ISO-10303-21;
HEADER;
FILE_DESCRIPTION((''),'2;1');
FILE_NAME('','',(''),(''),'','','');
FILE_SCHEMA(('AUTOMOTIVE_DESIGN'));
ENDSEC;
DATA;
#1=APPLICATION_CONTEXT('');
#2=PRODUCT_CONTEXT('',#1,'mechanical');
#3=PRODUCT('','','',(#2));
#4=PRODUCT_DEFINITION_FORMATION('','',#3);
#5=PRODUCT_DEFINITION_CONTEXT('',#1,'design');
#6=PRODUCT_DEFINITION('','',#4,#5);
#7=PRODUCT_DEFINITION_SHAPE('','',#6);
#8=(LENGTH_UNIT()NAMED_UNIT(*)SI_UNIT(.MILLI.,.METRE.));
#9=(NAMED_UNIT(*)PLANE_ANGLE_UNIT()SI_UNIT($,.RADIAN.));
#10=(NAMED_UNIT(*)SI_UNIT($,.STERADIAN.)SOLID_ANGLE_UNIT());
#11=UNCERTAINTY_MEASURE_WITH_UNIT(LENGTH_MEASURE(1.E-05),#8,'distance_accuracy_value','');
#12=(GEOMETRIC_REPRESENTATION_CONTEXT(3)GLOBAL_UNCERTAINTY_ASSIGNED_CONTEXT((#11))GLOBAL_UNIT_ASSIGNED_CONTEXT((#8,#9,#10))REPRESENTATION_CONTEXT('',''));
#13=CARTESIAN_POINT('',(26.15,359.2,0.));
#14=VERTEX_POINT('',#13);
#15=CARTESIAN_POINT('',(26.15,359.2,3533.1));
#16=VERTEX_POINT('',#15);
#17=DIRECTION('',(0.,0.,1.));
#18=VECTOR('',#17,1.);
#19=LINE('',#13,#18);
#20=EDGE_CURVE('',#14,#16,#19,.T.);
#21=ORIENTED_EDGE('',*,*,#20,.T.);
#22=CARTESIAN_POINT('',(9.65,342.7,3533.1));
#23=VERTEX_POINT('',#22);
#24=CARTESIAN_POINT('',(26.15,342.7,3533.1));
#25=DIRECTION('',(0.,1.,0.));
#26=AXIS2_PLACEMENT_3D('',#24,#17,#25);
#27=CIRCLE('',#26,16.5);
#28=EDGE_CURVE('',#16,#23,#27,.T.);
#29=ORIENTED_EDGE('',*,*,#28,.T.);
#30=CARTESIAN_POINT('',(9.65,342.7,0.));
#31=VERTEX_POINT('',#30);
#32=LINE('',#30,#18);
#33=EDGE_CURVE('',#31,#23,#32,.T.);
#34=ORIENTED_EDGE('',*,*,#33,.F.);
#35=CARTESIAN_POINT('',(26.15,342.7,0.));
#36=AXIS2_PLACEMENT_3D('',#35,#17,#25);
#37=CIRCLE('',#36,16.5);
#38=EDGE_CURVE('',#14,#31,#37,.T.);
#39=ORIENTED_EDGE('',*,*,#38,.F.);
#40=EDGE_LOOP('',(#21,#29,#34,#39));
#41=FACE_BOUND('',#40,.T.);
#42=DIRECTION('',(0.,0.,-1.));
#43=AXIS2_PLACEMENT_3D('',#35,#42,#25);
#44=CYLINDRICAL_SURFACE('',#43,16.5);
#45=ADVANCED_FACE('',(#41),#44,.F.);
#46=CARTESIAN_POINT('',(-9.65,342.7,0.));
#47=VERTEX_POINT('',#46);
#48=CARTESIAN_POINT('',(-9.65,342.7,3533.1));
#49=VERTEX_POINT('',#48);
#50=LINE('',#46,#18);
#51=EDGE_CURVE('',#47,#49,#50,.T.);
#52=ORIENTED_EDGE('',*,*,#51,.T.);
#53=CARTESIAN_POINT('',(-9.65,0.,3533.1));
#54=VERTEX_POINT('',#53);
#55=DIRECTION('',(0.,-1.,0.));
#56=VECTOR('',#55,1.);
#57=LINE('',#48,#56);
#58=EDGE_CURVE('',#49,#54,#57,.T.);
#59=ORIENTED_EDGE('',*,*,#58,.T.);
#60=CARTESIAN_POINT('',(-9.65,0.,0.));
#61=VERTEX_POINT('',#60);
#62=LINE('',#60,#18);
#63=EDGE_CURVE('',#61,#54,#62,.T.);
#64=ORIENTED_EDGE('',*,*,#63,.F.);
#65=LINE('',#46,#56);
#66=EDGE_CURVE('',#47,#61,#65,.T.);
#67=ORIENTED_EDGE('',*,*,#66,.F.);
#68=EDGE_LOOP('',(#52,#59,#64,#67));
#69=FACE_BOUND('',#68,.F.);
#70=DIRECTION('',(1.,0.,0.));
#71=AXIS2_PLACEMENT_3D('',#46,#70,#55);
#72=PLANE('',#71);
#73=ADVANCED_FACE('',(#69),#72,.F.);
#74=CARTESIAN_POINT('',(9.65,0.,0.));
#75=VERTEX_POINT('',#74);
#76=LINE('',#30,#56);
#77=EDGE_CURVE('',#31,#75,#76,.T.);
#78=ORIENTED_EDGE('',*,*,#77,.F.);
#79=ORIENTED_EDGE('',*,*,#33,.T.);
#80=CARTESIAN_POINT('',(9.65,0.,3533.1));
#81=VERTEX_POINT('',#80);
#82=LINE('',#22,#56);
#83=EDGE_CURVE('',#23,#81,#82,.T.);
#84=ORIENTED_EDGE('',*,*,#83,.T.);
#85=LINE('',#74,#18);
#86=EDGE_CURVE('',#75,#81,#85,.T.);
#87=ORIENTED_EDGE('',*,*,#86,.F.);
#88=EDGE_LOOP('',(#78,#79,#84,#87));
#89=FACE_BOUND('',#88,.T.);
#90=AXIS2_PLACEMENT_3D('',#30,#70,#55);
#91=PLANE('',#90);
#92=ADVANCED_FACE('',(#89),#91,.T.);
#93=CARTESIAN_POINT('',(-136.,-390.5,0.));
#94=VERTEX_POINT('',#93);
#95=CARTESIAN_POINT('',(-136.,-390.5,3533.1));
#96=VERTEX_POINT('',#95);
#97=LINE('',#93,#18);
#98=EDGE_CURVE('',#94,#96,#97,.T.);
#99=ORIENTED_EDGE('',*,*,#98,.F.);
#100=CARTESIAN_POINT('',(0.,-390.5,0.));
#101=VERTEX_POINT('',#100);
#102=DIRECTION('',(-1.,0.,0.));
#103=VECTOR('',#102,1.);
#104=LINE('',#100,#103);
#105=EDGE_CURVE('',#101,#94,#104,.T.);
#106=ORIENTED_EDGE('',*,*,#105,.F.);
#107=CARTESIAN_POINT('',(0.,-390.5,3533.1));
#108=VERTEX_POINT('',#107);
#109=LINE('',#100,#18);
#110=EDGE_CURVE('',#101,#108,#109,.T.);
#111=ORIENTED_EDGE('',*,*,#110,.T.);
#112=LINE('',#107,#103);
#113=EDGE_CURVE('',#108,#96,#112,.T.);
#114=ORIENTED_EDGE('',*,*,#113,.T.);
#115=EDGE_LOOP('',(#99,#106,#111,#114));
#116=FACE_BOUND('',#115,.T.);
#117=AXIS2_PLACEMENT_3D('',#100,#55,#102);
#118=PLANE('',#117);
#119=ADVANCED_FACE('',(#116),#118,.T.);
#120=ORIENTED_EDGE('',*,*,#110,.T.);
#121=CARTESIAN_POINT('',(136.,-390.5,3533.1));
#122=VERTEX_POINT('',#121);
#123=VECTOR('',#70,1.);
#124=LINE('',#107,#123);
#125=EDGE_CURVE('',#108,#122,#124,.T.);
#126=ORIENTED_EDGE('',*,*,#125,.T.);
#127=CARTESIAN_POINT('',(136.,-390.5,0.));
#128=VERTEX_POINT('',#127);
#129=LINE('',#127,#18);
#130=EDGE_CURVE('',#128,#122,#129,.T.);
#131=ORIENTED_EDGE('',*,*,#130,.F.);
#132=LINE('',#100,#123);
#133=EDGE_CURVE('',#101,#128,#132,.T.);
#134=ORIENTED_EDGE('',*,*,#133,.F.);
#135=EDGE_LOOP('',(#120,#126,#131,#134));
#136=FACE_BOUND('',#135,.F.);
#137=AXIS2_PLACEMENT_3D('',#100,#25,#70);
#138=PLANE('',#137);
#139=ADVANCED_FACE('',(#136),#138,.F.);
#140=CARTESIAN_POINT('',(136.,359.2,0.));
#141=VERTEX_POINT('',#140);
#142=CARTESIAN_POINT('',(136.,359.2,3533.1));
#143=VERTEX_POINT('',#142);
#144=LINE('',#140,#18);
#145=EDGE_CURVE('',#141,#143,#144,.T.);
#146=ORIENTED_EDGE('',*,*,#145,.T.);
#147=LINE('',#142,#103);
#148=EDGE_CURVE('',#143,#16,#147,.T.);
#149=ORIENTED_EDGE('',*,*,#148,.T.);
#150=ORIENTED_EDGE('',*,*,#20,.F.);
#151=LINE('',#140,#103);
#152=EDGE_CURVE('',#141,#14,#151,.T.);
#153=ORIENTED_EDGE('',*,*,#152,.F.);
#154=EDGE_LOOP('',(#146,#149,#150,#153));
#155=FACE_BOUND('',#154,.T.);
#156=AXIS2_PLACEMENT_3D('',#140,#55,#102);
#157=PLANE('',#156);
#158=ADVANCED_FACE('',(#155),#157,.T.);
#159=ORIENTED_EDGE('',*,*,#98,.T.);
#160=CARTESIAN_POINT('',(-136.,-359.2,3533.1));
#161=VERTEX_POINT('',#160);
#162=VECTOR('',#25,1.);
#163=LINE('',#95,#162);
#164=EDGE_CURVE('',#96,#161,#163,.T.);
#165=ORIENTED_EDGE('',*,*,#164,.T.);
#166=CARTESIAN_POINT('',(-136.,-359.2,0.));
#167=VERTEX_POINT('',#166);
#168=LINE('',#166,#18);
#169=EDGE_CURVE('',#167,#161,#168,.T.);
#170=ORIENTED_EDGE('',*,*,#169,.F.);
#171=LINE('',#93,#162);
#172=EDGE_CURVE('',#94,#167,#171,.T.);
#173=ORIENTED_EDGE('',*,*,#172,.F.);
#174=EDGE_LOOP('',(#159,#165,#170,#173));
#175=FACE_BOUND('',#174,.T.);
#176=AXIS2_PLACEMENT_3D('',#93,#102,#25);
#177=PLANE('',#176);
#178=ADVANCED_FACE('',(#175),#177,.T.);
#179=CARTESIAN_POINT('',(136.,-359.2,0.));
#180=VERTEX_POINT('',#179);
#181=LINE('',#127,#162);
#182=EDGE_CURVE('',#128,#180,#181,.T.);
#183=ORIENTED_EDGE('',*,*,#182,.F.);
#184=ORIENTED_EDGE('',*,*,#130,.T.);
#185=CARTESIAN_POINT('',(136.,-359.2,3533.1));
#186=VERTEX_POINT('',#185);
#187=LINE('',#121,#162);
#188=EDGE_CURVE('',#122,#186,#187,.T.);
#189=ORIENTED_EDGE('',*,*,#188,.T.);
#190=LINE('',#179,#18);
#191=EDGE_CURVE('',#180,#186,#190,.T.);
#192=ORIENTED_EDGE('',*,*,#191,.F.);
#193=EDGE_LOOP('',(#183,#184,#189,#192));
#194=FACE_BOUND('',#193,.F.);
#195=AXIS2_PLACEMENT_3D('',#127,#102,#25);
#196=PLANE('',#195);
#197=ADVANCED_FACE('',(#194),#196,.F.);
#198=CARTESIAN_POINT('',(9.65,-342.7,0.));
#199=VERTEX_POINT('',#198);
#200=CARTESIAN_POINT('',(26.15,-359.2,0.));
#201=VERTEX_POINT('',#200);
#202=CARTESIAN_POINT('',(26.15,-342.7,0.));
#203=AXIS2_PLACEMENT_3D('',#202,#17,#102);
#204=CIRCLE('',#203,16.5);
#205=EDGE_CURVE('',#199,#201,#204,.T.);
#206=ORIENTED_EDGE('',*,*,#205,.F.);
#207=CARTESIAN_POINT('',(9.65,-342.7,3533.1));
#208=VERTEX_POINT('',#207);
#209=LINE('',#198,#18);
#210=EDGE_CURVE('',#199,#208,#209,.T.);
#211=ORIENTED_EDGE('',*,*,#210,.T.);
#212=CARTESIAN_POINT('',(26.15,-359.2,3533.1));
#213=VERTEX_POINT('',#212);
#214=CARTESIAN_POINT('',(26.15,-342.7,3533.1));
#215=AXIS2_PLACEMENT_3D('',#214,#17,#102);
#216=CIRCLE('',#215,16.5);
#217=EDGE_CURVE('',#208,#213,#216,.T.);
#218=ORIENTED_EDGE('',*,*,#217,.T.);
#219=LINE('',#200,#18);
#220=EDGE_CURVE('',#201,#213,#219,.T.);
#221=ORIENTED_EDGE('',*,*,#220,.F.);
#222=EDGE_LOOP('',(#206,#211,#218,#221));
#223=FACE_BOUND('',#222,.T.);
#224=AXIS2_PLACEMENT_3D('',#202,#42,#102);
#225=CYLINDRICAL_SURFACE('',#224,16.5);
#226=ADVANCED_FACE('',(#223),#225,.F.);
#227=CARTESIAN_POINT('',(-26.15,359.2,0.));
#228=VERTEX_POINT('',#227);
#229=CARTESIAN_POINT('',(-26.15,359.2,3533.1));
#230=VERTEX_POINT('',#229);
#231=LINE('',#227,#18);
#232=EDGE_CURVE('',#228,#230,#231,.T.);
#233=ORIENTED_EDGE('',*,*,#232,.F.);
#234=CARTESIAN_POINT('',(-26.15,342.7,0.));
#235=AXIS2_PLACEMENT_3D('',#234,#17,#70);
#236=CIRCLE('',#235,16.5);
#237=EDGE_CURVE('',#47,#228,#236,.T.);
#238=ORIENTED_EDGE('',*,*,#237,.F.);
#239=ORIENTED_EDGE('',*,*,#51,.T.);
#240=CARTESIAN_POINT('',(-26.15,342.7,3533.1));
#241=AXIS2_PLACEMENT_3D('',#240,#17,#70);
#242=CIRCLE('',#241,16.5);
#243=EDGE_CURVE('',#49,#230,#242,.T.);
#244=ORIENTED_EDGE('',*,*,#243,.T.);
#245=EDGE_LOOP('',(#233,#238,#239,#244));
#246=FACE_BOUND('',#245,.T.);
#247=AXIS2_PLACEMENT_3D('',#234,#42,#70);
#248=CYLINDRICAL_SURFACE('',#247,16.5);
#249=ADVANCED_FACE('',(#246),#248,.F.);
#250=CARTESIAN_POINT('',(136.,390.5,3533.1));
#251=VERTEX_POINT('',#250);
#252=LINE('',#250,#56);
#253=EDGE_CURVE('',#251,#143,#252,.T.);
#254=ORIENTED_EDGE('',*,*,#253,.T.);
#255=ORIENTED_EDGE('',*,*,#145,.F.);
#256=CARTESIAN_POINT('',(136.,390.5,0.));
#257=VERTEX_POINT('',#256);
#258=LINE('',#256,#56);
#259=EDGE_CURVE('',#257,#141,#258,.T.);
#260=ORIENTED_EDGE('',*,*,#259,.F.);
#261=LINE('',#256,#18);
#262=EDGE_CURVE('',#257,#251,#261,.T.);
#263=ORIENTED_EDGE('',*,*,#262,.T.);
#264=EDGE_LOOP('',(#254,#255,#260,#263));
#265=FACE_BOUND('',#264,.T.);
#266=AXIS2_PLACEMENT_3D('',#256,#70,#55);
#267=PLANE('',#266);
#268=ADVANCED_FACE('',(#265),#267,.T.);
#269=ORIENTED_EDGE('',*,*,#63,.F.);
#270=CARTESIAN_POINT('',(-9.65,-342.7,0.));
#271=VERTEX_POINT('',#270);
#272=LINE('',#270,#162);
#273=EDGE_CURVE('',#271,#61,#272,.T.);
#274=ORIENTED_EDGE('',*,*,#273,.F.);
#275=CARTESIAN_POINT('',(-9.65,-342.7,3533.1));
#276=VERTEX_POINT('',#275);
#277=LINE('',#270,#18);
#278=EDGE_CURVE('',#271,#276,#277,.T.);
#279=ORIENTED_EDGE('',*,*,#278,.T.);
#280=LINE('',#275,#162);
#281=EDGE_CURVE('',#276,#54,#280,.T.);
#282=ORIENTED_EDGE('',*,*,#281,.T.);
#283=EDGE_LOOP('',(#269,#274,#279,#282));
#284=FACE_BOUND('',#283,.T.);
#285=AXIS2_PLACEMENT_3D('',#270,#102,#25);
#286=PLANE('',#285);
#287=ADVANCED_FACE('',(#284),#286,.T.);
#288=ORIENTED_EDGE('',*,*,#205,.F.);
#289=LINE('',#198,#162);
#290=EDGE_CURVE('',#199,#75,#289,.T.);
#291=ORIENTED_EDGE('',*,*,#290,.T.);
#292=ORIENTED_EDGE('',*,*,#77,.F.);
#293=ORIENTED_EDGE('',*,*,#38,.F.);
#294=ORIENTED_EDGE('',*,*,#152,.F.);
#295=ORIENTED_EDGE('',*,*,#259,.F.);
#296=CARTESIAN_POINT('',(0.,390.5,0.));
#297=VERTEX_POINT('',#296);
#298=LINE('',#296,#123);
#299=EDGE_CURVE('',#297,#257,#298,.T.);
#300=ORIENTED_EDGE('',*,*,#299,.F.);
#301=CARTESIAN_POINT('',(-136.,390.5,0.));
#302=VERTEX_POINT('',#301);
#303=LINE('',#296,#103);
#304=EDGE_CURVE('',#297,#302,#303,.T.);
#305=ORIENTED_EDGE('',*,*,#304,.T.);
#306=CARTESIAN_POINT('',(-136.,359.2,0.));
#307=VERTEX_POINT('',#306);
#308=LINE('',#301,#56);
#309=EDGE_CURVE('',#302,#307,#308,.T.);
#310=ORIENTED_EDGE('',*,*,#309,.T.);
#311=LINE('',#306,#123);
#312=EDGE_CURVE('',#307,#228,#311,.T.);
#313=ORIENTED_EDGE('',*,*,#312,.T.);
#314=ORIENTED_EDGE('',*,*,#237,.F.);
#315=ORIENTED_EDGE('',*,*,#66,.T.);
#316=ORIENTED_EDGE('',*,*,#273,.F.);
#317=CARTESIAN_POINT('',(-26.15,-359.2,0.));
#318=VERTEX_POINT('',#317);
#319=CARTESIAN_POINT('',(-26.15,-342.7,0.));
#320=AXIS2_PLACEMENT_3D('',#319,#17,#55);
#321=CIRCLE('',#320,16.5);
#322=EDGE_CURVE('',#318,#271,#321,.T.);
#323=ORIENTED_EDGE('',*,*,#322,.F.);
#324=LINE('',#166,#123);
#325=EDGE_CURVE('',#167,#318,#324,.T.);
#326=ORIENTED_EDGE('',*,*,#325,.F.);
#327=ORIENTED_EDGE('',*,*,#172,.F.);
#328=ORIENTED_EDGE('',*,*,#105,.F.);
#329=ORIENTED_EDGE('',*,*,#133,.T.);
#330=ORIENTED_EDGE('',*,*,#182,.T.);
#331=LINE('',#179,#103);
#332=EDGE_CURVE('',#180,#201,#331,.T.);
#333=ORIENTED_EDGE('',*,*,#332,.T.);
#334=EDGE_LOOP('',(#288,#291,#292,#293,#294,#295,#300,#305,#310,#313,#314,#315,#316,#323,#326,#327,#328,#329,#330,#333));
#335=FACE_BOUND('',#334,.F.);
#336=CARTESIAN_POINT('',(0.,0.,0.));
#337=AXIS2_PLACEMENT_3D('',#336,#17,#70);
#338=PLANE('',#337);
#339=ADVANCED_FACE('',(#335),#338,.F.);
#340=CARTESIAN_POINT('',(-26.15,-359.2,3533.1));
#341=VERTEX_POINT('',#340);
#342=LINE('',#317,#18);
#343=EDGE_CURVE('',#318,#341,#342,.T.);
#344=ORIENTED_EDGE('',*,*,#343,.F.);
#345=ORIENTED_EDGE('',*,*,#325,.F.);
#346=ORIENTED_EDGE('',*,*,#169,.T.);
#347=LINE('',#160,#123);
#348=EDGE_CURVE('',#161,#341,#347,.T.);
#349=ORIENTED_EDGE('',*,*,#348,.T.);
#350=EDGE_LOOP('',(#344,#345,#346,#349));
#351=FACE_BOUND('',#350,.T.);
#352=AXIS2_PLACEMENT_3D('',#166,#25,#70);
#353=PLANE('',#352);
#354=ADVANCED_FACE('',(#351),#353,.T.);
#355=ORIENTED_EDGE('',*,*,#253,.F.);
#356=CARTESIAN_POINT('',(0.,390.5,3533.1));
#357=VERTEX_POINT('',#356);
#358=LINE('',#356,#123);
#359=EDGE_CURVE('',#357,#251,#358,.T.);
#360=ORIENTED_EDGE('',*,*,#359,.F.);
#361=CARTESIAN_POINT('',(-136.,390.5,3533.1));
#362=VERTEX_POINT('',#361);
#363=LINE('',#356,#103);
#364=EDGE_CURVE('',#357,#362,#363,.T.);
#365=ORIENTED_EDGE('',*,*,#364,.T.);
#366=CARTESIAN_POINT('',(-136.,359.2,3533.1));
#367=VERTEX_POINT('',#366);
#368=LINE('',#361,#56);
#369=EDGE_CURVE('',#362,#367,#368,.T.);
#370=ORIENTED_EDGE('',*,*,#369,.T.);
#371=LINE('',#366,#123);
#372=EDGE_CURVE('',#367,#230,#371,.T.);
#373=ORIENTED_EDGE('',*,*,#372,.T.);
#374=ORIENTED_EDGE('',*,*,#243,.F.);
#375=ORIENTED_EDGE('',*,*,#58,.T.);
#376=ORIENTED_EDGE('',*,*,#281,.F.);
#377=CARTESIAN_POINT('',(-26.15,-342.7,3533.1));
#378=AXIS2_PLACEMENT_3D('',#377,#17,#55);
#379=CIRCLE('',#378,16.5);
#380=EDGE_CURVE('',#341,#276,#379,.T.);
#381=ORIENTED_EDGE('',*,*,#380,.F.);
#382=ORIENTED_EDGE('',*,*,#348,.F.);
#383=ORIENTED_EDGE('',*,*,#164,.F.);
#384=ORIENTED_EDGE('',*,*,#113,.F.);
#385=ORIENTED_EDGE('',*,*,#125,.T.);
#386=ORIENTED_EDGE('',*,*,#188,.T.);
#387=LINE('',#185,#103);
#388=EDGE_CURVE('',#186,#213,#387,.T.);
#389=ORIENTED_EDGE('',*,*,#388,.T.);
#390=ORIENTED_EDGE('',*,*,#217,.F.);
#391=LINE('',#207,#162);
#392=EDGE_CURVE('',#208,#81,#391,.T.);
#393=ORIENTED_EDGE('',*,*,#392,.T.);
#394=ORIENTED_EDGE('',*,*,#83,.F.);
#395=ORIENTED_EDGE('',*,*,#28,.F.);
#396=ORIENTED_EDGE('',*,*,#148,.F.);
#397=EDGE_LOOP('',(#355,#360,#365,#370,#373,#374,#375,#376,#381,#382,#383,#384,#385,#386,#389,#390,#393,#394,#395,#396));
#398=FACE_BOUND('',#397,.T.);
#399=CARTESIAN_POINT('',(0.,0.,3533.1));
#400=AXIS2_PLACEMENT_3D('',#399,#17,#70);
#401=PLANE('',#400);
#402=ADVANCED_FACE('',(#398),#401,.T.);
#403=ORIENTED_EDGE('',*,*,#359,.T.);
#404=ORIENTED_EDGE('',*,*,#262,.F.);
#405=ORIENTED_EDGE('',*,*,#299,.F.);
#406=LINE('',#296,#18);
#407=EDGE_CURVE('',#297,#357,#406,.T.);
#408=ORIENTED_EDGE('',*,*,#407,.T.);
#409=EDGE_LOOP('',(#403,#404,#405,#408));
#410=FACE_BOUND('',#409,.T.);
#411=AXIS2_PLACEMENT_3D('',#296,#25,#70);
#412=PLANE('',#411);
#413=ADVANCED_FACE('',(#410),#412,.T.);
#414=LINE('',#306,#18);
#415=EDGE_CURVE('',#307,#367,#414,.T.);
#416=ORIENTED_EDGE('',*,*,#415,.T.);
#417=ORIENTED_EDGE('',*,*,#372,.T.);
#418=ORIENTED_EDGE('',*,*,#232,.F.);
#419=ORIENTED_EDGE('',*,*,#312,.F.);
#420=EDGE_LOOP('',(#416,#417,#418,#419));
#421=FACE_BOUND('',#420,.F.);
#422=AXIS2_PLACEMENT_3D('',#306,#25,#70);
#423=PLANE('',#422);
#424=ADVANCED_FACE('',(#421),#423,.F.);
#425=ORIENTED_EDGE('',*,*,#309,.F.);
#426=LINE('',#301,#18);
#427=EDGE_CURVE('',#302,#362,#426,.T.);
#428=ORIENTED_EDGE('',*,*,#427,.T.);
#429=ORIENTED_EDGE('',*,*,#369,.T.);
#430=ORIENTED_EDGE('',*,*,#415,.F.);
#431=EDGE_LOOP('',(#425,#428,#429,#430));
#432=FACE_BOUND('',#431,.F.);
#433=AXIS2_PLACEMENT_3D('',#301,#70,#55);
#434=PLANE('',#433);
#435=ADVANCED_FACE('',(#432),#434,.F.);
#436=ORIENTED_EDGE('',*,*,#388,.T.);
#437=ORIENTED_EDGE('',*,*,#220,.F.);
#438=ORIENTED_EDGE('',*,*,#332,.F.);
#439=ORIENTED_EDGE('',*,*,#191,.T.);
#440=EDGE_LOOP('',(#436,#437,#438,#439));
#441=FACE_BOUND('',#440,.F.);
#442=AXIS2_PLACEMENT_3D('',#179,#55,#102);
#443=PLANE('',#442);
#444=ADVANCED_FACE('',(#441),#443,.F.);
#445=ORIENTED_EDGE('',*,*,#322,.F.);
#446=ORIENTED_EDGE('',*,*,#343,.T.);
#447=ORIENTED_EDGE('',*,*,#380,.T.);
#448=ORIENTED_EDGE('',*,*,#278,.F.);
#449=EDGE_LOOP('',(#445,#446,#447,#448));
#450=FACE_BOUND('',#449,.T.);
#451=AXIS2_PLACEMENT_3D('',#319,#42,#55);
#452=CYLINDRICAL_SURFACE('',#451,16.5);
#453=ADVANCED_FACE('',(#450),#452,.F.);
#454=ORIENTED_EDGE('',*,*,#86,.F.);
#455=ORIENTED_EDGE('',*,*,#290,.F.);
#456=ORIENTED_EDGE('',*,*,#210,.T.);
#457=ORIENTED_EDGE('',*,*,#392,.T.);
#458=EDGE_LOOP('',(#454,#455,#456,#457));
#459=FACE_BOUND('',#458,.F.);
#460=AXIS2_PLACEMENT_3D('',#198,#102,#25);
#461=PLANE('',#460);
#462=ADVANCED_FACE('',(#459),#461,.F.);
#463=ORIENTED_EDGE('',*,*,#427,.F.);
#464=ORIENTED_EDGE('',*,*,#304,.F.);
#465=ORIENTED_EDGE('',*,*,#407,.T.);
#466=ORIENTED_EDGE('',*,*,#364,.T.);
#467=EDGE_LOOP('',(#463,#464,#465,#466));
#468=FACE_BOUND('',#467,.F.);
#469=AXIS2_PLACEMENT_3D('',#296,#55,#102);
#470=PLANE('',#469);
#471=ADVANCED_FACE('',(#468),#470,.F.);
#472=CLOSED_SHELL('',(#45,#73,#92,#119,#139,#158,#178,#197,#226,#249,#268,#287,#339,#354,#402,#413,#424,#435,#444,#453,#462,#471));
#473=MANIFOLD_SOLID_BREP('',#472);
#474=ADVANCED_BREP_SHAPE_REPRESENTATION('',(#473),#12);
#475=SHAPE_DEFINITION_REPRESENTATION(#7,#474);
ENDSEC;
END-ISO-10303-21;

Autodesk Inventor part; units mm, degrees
ref_plane "YZ Plane" through (0, 0, 0) normal (1, 0, 0) x (0, 1, 0)
ref_plane "Start plane" through (0, 0, 0) normal (0, 0, 1) x (1, 0, 0)
ref_plane "End plane" through (0, 0, 3533.1) normal (0, 0, 1) x (1, 0, 0)
sketch "Sketch" plane through (0, 0, 0) normal (0, 0, 1) x (1, 0, 0)
  line L0 (-136, -390.5) -> (-136, -359.2)
  line L1 (-136, -359.2) -> (-26.15, -359.2)
  line L2 (-9.65, -342.7) -> (-9.65, 0)
  line L3 (-9.65, 0) -> (0, 0) construction
  line L4 (0, 0) -> (0, -390.5) construction
  line L5 (0, -390.5) -> (-136, -390.5)
  line L6 (-60, 0) -> (80, 0) construction
  line L7 (0, -60) -> (0, 80) construction
  line L8 (136, -390.5) -> (136, -359.2)
  line L9 (136, -359.2) -> (26.15, -359.2)
  line L10 (9.65, -342.7) -> (9.65, 0)
  line L11 (9.65, 0) -> (0, 0) construction
  line L12 (0, -390.5) -> (136, -390.5)
  line L13 (-136, 390.5) -> (-136, 359.2)
  line L14 (-136, 359.2) -> (-26.15, 359.2)
  line L15 (-9.65, 342.7) -> (-9.65, 0)
  line L16 (0, 390.5) -> (-136, 390.5)
  line L17 (136, 390.5) -> (136, 359.2)
  line L18 (136, 359.2) -> (26.15, 359.2)
  line L19 (0, 390.5) -> (136, 390.5)
  line L20 (9.65, 342.7) -> (9.65, 0)
  arc A0 (-9.65, 342.7) -> (-26.15, 359.2) centre (-26.15, 342.7) ccw
  arc A1 (26.15, 359.2) -> (9.65, 342.7) centre (26.15, 342.7) ccw
  arc A2 (9.65, -342.7) -> (26.15, -359.2) centre (26.15, -342.7) ccw
  arc A3 (-26.15, -359.2) -> (-9.65, -342.7) centre (-26.15, -342.7) ccw
  line L21 (0, 108) -> (0, -88) construction
  line L22 (-88, 0) -> (108, 0) construction
  point P0 (-9.65, -359.2)
  point P1 (9.65, -359.2)
  point P2 (-9.65, 359.2)
  point P3 (9.65, 359.2)
  dimension "d1" = 390.5
  dimension "d2" = 31.3
  dimension "d3" = 136
  dimension "d4" = 9.65
  dimension "d10" = 16.5
extrude "Body" add sketch "Sketch" along normal up to surface (3533.1 mm away) from surface at 0
sketch "Sketch4" plane through (0, 0, 0) normal (0, 0, 1) x (1, 0, 0)
  line L0 (0, 0) -> (10, 0)
ref_plane "Work Plane3" through (0, 0, 0) normal (0, -1, 0) x (1, 0, 0)
sketch "Sketch5" plane through (0, 0, 0) normal (0, -1, 0) x (1, 0, 0)
  line L0 (-2, 0) -> (12, 0) projected
  line L1 (-2, 3533.1) -> (12, 3533.1) projected
  dimension "d14" = 3533.1
equation "\"d1\" = 0.5 * G_H"
equation "\"d2\" = G_T1"
equation "\"d3\" = 0.5 * G_W"
equation "\"d4\" = 0.5 * G_T"
equation "\"d10\" = G_IR"
equation "\"d5\" = G_L"
equation "\"G_W\" = 272"
equation "\"G_H\" = 781"
equation "\"G_T\" = 19.3"
equation "\"G_T1\" = 31.3"
equation "\"G_IR\" = 16.5"
equation "\"G_L\" = d14"
equation "\"G_OFFSET_START\" = 0"
equation "\"G_OFFSET_END\" = 0"
equation "\"d12\" = G_OFFSET_END + B_L"
equation "\"B_L\" = 3533.1"
properties part number "AS 3679-1990 - 760 UB - 244 - 3533.1" material "Steel, Mild"
